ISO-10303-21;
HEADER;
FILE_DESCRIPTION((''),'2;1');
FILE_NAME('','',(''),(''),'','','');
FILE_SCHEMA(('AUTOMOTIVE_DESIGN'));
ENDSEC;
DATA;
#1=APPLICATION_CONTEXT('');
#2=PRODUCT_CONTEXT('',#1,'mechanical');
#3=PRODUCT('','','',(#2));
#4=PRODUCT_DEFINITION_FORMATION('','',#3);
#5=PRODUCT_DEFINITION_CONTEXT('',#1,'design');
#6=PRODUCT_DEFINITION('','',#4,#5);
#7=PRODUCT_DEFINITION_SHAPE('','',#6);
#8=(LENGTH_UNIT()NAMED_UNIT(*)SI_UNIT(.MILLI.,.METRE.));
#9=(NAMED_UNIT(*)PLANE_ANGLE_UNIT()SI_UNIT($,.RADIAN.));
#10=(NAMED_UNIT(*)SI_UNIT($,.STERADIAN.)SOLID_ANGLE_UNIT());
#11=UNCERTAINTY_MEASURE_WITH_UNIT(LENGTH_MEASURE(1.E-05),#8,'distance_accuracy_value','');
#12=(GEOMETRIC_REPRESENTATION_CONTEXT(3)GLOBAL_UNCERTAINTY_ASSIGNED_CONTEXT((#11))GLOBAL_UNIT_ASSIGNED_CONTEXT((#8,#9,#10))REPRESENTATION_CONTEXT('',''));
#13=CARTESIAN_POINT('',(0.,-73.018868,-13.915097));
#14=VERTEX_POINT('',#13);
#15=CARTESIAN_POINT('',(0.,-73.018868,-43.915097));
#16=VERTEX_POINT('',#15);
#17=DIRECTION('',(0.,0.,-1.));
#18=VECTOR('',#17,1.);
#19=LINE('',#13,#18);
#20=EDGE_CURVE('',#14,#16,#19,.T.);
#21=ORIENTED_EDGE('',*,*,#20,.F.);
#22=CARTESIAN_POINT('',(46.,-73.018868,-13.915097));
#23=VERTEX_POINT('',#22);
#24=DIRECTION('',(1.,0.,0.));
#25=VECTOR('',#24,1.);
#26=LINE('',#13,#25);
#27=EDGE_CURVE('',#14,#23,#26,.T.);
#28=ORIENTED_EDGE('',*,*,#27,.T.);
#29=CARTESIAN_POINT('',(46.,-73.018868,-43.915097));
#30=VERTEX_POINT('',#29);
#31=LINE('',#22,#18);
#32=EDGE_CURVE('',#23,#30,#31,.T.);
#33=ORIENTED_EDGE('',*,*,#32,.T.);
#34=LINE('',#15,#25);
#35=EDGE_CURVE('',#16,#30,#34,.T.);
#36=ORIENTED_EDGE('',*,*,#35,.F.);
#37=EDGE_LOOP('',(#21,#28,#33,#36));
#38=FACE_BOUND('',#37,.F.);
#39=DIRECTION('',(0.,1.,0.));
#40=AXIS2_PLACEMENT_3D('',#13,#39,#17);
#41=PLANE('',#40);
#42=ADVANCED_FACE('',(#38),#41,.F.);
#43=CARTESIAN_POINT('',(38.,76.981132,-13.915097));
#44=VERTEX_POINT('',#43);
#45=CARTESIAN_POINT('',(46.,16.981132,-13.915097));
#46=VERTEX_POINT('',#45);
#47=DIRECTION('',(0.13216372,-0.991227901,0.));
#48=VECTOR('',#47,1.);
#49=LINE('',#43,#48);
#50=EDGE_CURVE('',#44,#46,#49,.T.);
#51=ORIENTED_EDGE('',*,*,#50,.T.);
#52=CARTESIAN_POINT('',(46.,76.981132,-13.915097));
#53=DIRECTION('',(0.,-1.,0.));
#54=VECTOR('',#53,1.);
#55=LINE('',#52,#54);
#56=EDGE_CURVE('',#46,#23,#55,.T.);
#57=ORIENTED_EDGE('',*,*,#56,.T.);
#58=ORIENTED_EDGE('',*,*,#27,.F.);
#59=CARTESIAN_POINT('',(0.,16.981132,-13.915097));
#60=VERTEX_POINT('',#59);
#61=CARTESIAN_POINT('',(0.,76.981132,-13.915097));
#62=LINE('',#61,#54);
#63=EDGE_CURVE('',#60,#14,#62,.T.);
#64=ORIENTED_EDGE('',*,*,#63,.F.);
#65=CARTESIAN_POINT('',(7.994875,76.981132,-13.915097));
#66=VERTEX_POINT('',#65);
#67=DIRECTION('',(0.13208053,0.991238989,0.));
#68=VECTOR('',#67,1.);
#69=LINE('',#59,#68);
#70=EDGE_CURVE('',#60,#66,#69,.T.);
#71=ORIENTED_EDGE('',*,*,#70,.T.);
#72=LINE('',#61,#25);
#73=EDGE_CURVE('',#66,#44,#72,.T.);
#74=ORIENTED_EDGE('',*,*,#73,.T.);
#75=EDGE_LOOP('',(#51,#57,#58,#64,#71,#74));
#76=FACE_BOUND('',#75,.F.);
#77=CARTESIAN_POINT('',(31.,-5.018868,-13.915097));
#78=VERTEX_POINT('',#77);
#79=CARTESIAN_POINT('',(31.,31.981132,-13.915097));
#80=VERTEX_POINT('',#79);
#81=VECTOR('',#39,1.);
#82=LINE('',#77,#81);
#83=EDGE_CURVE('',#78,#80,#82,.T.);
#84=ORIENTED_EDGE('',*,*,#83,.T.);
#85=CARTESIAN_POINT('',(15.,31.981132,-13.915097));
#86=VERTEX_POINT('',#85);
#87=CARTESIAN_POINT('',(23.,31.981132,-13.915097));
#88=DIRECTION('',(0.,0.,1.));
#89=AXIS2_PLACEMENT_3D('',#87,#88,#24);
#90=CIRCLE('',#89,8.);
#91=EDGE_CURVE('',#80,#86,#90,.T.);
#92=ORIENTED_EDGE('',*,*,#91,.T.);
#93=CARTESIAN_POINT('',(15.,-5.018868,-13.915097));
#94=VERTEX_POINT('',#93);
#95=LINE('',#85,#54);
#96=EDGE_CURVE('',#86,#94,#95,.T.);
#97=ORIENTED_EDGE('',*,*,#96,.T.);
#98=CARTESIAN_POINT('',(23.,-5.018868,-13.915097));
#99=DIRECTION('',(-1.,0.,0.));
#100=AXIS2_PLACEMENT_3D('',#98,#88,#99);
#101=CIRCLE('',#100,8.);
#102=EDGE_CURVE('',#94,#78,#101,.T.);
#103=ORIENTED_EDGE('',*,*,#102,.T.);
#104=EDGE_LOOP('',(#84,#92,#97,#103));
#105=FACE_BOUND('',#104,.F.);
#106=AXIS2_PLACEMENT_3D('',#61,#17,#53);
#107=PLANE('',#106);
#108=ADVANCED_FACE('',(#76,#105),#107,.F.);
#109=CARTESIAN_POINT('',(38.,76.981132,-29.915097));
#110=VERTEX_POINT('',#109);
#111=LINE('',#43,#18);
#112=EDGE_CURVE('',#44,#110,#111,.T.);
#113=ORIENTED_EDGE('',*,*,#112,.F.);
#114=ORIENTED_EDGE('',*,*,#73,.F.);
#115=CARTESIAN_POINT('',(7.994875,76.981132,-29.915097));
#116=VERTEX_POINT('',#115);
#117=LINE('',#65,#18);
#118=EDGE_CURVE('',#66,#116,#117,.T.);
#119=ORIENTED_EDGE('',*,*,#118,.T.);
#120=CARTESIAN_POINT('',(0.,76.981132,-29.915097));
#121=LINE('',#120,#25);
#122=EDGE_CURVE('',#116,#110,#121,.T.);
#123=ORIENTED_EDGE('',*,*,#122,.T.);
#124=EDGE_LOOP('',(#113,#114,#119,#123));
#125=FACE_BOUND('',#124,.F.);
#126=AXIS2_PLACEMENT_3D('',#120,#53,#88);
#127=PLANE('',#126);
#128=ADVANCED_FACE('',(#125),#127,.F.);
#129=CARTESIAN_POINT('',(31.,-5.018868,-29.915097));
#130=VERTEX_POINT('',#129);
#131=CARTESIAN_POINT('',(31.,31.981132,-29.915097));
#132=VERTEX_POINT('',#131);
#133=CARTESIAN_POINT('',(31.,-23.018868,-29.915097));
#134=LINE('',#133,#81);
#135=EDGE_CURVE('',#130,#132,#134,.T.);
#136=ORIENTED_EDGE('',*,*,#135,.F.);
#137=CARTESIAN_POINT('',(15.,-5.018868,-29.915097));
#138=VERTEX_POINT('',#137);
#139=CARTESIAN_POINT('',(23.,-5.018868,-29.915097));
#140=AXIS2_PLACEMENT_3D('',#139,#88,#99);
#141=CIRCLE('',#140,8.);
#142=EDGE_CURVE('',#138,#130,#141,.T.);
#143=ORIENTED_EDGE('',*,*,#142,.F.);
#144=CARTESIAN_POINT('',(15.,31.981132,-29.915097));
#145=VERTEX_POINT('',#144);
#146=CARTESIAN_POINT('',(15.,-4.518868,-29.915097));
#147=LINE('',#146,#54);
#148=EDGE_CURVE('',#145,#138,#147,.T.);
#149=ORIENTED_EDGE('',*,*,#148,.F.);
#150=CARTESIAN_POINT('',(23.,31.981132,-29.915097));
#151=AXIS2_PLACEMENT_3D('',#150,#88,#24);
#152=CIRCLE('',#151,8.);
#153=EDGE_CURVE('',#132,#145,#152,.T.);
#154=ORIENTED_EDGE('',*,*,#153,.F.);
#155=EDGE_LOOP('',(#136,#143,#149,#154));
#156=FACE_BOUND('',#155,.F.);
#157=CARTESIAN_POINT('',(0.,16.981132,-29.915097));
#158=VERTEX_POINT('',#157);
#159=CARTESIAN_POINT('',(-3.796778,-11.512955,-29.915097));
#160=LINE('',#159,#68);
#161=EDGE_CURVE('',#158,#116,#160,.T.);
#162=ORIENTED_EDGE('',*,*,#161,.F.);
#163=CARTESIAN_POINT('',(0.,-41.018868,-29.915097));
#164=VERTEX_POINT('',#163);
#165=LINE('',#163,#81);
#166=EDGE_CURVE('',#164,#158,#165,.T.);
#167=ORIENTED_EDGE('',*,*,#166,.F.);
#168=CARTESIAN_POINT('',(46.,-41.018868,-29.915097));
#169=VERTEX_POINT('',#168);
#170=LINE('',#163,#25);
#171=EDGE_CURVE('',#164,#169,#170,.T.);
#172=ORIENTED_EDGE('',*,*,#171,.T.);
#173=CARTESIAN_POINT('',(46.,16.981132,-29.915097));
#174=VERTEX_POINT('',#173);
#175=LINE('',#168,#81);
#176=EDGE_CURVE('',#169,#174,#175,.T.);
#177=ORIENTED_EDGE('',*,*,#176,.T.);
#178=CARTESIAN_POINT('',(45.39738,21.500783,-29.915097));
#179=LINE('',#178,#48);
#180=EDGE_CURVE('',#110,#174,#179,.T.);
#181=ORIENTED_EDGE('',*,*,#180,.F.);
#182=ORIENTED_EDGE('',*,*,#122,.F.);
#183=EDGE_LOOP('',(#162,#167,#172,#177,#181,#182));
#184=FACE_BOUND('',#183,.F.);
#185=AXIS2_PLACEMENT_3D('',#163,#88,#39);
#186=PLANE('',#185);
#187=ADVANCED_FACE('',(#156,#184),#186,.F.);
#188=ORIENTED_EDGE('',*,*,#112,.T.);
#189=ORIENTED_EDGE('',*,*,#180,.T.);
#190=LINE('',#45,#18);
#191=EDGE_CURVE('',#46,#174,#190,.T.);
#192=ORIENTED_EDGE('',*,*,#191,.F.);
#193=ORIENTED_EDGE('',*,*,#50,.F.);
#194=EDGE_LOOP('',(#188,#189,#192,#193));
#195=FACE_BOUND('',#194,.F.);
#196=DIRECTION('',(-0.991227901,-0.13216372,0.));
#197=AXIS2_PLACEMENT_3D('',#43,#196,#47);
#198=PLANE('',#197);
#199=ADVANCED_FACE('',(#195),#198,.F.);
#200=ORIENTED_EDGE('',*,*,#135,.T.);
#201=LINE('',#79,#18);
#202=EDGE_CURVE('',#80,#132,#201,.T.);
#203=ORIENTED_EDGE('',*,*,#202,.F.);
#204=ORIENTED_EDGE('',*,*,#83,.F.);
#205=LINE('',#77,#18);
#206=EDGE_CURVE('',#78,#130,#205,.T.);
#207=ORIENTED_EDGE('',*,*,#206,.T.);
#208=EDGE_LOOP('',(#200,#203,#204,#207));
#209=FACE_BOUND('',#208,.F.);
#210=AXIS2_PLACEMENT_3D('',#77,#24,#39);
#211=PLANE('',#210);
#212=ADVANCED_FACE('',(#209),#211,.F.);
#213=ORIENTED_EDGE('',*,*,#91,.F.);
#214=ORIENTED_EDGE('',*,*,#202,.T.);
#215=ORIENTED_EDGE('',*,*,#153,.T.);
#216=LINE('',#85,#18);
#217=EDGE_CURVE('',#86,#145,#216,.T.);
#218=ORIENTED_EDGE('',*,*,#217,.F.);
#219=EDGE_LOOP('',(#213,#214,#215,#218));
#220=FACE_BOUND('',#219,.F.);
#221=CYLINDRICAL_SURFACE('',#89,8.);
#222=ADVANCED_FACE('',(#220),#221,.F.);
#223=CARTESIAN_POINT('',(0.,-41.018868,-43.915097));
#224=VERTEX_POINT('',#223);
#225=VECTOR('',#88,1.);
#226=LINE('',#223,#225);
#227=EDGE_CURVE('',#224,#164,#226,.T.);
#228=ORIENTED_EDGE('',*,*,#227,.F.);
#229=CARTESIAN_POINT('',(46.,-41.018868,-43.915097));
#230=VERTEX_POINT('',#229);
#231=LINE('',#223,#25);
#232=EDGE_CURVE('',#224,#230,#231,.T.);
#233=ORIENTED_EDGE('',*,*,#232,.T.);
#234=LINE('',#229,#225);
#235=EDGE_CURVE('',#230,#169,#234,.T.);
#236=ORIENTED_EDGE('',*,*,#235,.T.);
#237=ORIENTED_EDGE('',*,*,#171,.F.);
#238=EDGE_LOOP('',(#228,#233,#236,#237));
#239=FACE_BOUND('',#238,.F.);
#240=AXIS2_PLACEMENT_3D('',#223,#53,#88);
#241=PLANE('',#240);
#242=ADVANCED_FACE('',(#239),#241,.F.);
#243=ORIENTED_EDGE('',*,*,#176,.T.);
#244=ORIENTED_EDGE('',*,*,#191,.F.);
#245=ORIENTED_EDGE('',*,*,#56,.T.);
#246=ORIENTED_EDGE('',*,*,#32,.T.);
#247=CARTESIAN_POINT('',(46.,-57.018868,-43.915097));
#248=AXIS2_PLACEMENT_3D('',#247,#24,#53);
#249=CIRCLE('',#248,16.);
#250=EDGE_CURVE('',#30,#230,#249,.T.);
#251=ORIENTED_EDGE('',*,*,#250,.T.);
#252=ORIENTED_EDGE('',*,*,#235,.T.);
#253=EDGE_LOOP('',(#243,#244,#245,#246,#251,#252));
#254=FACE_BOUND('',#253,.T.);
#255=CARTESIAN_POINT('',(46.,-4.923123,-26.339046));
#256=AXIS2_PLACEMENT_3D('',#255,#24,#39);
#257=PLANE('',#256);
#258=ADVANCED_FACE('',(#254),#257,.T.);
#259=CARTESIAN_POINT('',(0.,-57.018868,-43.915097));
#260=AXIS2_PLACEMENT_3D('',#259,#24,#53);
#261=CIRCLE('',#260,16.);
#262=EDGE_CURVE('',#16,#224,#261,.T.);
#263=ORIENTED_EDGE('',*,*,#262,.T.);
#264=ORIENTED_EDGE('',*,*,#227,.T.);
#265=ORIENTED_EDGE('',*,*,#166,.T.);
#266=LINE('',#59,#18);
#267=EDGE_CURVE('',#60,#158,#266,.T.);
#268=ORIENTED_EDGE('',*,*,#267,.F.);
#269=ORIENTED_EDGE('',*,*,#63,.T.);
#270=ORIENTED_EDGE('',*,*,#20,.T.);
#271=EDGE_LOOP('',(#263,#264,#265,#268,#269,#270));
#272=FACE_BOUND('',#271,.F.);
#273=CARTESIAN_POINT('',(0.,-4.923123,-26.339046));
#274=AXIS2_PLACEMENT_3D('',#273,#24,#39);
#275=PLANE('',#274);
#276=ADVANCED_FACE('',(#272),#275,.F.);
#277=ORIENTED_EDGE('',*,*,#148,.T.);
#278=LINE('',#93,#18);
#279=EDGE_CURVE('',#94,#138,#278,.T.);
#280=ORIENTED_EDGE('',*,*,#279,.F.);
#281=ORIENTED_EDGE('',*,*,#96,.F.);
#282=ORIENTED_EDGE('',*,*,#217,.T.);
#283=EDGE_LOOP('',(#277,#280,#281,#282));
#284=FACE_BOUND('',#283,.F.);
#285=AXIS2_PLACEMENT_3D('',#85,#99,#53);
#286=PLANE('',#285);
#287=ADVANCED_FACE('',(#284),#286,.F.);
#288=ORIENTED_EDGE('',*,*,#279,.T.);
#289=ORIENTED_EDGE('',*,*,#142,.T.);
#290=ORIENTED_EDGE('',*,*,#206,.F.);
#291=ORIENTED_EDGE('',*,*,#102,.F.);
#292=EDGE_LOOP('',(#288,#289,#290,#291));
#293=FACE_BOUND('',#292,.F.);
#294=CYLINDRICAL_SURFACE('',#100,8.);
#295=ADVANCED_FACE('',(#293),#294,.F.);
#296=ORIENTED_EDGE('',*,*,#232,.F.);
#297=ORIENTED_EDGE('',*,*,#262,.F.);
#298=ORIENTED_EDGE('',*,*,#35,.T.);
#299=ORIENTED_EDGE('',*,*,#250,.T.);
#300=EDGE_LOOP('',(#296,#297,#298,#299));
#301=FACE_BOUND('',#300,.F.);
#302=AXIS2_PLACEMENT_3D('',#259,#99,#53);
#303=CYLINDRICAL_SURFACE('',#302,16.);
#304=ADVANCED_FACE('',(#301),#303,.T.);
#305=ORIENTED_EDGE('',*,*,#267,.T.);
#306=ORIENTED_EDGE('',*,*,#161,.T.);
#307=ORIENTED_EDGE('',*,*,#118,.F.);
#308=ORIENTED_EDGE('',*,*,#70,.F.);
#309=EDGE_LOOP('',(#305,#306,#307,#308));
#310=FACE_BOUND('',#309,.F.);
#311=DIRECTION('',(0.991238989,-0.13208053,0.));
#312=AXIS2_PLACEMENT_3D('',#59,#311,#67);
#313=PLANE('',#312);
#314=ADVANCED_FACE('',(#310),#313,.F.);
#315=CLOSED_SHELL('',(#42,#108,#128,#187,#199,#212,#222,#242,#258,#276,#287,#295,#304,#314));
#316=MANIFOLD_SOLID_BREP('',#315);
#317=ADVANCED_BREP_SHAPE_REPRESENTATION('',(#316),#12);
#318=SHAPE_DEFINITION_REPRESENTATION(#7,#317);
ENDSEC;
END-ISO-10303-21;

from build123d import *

# Parameters (mm, degrees)
F1_DEPTH = 46
F3_DEPTH = 25
F5_DEPTH = 25


with BuildPart() as f1:
    # F0 (on Right) → F1 (new body)
    with BuildSketch(Plane.YZ):
        with BuildLine():
            Line((76.981132, -29.915097), (76.981132, -13.915097))
            Line((76.981132, -13.915097), (-41.018868, -13.915097))
            Line((-41.018868, -13.915097), (-73.018868, -13.915097))
            Line((-73.018868, -13.915097), (-73.018868, -29.915097))
            Line((-73.018868, -29.915097), (-73.018868, -43.915097))
            ThreePointArc((-73.018868, -43.915097), (-57.018868, -59.915097), (-41.018868, -43.915097))
            Line((-41.018868, -43.915097), (-41.018868, -29.915097))
            Line((-41.018868, -29.915097), (76.981132, -29.915097))
        make_face()
    extrude(amount=F1_DEPTH)

    # F2 (on face) → F3 (cut)
    with BuildSketch(Plane.XY.offset(-13.915097)):
        Polygon((46, 76.981132), (38, 76.981132), (46, 16.981132), align=None)
        Polygon((0, 16.981132), (7.994875, 76.981132), (0, 76.981132), align=None)
    extrude(amount=-F3_DEPTH, mode=Mode.SUBTRACT)

    # F4 (on face) → F5 (cut)
    with BuildSketch(Plane.XY.offset(-13.915097)):
        with BuildLine():
            ThreePointArc((31, 31.981132), (23, 39.981132), (15, 31.981132))
            Line((15, 31.981132), (15, -5.018868))
            ThreePointArc((15, -5.018868), (23, -13.018868), (31, -5.018868))
            Line((31, -5.018868), (31, 31.981132))
        make_face()
    extrude(amount=-F5_DEPTH, mode=Mode.SUBTRACT)


solid = f1.part
